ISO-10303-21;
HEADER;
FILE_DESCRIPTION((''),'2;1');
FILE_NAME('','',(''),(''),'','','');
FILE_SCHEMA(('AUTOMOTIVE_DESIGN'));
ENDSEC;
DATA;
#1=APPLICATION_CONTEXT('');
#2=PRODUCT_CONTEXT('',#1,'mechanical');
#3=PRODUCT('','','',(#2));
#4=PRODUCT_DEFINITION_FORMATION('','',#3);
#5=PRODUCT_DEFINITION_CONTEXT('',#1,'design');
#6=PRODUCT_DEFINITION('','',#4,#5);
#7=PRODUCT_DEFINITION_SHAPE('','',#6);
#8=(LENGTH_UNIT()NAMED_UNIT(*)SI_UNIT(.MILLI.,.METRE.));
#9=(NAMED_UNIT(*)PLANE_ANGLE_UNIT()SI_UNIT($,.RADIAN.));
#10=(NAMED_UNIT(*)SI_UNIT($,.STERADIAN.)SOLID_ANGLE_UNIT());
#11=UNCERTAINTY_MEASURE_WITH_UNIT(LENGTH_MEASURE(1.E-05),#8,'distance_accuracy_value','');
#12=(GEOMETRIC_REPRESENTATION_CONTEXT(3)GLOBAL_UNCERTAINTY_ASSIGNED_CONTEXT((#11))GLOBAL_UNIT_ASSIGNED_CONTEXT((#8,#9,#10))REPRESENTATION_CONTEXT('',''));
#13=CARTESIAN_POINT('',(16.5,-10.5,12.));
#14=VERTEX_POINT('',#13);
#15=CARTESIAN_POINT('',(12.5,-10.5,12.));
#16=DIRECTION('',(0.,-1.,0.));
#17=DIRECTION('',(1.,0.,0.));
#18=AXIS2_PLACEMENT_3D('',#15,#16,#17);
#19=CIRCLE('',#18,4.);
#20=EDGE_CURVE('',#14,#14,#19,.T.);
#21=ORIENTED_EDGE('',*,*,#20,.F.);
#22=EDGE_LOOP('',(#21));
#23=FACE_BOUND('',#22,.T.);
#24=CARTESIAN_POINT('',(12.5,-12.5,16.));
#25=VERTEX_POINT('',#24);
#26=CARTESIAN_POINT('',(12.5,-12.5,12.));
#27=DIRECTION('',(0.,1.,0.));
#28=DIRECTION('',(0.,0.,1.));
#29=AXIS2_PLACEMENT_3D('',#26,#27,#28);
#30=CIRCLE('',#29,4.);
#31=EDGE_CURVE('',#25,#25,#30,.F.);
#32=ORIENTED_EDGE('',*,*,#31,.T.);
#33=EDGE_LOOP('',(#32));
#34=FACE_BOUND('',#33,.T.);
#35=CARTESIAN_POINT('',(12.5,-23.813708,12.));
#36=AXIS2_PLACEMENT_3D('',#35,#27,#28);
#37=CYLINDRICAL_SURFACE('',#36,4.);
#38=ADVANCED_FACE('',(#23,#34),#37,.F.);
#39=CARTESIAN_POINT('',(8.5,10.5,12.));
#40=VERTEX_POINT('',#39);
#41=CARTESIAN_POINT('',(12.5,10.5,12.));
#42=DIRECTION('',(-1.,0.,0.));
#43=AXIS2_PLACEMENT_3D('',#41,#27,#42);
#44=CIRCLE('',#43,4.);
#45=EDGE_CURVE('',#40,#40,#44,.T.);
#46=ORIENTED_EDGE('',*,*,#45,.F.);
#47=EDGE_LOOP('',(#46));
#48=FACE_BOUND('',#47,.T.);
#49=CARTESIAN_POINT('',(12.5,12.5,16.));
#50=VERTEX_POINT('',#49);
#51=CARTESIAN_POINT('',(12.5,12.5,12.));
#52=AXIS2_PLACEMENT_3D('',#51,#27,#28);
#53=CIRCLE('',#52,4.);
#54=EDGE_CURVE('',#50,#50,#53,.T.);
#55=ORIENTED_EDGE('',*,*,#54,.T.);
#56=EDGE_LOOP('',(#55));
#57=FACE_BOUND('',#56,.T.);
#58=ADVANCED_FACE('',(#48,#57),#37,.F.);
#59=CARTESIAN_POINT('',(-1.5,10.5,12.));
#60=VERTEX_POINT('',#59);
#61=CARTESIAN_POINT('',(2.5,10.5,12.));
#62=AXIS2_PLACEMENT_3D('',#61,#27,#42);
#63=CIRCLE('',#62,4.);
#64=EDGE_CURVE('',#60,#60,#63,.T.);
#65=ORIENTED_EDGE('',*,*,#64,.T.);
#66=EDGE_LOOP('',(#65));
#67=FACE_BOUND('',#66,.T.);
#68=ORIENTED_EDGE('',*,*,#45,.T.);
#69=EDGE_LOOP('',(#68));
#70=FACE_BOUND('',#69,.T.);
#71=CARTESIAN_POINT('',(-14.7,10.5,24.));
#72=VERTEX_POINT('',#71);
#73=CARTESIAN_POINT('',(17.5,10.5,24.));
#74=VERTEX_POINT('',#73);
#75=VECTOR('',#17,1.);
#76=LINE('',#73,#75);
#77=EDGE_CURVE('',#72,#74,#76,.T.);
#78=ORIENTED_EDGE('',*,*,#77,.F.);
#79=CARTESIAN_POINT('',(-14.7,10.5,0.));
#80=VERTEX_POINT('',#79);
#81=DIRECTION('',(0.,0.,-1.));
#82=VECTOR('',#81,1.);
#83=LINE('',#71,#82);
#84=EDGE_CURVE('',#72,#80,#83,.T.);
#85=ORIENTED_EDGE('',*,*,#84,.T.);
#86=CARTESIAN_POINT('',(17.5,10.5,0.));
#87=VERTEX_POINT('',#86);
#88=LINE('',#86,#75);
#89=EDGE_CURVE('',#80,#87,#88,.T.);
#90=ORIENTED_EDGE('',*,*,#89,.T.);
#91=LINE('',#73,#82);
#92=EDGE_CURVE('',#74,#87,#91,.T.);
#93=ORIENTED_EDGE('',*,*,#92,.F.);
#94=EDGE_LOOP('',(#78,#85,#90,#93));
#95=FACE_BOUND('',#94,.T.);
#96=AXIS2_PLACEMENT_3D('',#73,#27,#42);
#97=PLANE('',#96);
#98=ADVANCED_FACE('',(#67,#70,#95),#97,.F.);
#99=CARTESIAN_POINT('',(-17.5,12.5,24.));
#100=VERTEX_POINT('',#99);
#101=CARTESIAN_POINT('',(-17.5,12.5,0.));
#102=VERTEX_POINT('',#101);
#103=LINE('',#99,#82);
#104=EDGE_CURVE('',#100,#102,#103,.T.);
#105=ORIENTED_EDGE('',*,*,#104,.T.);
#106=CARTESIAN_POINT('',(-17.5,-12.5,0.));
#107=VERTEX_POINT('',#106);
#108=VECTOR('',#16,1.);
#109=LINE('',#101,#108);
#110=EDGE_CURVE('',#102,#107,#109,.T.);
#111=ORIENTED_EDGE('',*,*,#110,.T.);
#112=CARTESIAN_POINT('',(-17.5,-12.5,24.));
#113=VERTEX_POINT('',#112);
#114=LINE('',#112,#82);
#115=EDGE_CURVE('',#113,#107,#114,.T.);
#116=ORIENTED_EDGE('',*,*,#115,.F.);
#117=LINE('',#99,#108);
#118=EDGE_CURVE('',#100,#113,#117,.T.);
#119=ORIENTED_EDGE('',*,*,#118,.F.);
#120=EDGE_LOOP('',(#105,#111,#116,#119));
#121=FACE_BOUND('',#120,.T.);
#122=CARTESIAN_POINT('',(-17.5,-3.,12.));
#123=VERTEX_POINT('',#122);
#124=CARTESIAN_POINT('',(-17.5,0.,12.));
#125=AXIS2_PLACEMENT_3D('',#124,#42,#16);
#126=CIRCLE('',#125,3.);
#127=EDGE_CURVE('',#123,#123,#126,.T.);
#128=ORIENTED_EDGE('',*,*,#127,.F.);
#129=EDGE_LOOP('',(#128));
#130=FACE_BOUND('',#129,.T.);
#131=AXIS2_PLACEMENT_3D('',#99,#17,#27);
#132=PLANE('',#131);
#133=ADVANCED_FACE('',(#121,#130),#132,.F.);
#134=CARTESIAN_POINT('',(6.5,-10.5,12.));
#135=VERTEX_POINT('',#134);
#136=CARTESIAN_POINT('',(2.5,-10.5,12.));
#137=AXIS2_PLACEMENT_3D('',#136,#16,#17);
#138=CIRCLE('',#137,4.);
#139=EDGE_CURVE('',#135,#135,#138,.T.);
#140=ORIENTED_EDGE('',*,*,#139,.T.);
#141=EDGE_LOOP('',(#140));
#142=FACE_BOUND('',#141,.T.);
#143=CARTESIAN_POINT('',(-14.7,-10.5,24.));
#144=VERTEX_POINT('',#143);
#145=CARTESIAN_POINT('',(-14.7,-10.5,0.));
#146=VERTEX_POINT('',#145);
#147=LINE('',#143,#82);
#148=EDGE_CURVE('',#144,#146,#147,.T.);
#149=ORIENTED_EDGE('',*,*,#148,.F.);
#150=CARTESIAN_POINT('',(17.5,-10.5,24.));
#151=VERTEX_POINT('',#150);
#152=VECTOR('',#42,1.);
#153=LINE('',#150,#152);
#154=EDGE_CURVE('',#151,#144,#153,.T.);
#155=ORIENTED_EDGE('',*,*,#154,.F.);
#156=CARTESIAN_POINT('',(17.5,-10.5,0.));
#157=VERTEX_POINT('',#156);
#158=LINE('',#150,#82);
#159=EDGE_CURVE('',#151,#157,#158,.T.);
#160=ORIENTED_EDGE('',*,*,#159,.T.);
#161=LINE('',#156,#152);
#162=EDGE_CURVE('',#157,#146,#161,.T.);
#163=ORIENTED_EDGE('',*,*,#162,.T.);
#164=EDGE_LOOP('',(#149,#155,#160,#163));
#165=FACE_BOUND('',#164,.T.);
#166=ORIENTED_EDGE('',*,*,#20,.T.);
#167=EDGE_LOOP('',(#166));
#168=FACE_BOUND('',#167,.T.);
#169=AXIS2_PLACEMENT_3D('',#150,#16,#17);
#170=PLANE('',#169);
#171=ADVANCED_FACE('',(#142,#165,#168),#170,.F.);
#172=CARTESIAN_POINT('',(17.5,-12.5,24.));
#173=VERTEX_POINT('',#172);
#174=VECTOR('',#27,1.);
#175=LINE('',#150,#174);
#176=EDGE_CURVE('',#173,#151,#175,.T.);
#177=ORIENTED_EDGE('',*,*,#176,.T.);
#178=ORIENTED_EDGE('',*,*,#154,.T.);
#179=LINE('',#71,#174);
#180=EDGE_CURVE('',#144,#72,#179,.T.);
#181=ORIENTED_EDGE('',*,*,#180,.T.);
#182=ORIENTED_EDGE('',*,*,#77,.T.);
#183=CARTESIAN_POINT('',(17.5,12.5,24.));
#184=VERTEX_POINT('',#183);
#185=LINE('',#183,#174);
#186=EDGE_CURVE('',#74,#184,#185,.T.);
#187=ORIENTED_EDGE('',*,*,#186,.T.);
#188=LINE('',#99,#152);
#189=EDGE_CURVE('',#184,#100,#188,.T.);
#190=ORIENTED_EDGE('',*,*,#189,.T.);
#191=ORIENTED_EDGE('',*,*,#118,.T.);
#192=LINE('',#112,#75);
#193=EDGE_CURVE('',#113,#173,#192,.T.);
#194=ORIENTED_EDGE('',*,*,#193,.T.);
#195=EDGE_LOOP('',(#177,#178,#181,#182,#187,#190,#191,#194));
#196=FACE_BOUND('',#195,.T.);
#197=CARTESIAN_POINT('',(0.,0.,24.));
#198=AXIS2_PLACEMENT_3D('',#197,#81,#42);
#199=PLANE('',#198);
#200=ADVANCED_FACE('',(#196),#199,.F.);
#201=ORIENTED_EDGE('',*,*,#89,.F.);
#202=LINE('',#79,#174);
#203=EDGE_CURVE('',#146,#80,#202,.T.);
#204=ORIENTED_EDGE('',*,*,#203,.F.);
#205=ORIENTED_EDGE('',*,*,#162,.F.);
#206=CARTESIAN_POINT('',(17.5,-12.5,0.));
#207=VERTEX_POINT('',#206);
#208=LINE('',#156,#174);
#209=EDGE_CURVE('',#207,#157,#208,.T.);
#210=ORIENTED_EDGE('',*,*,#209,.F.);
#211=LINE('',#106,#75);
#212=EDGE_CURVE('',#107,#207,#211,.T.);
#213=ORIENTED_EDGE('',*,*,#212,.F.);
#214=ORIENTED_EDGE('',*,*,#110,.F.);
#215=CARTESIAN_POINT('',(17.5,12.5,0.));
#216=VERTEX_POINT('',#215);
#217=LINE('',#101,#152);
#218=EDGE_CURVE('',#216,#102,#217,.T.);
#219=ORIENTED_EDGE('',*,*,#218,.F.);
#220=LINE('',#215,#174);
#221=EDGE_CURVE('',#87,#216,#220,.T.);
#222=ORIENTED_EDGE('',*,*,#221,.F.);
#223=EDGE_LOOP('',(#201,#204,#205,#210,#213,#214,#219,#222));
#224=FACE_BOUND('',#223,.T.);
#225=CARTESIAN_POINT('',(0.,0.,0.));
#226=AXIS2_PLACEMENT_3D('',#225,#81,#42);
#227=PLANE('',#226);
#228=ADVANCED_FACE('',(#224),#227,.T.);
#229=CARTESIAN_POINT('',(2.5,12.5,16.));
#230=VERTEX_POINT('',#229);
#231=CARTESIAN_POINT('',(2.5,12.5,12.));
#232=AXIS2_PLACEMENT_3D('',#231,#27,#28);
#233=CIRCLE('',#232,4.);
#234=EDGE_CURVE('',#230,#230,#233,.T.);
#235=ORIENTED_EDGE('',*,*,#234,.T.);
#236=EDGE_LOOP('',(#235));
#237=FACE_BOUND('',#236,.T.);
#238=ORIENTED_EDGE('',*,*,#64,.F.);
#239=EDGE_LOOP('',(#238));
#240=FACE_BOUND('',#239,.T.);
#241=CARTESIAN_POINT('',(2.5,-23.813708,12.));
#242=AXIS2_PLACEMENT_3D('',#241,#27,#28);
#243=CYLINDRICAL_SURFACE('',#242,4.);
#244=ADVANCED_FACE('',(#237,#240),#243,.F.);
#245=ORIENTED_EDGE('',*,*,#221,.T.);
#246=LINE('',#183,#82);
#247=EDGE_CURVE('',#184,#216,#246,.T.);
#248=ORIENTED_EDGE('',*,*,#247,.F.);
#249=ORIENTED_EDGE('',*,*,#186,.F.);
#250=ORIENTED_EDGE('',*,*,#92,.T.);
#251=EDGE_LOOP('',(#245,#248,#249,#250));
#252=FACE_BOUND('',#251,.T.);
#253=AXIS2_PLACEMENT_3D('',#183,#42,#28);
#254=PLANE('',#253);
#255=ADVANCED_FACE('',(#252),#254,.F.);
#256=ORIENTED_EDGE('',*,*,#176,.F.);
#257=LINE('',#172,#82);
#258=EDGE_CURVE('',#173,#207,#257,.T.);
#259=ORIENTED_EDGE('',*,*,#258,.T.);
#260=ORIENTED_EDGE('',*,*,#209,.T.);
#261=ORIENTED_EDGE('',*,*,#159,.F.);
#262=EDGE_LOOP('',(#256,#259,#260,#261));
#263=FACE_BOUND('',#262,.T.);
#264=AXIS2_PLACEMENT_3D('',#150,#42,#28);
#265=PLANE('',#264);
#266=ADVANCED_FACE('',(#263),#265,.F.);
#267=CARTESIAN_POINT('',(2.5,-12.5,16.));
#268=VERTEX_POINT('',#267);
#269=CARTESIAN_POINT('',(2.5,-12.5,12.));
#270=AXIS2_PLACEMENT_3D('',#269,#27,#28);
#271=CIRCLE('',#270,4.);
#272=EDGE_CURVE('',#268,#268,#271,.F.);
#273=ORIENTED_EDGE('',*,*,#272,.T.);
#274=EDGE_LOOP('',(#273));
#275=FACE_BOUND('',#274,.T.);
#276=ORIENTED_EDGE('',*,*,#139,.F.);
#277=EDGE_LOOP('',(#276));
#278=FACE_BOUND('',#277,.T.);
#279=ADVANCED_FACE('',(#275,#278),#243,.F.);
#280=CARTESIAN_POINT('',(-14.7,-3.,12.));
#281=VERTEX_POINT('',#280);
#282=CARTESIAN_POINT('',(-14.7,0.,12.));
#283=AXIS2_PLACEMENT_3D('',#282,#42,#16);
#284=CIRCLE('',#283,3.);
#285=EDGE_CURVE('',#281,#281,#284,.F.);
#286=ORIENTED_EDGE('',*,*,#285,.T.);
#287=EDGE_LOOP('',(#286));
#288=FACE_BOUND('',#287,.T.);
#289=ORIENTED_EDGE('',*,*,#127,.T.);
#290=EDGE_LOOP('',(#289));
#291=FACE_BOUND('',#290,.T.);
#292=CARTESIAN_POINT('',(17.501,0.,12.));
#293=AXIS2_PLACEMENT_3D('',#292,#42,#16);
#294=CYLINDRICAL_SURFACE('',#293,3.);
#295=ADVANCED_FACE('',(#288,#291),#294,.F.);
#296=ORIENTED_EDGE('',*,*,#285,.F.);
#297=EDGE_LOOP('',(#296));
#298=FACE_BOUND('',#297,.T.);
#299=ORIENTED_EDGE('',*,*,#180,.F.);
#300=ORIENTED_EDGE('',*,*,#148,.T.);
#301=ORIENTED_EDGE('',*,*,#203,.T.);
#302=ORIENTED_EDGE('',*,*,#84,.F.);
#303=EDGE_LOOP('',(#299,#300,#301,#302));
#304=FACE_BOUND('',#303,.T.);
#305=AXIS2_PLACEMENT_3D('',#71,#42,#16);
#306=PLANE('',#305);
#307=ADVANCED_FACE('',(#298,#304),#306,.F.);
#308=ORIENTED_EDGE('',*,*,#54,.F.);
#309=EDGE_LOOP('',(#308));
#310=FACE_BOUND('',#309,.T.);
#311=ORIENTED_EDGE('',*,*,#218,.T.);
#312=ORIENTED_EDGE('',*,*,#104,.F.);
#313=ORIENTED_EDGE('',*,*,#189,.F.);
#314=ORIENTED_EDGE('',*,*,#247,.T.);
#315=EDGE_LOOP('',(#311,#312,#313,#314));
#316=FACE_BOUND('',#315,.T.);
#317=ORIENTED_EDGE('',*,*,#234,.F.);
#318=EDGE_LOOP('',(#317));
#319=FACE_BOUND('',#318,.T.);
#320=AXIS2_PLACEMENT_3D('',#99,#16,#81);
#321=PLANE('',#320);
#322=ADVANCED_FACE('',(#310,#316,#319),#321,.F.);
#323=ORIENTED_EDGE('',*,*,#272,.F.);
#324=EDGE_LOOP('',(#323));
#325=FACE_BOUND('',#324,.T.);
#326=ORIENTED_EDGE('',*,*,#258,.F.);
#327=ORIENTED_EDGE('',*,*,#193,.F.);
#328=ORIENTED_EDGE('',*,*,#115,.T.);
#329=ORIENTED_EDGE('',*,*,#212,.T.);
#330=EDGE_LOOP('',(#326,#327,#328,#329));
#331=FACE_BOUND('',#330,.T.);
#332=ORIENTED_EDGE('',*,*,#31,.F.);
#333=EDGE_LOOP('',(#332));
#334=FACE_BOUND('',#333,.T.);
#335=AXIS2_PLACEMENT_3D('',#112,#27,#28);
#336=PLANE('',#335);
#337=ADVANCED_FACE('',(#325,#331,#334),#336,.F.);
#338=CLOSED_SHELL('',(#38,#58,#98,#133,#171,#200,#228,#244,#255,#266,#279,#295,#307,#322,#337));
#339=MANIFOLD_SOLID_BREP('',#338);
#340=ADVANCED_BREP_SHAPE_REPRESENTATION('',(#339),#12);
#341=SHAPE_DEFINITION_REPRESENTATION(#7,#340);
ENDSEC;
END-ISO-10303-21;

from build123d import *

# Parameters (mm, degrees)
BOSS_EXTRU_1_DEPTH      = 24
ENL_V_MAT_EXTRU_1_REACH = 40.823
ESQUISSE2_R             = 4
ENL_V_MAT_EXTRU_2_REACH = 46.241
ESQUISSE3_R             = 3


with BuildPart() as part:
    # Esquisse1 → Boss.-Extru.1 (new body)
    with BuildSketch(Plane.XY):
        Polygon((17.5, -10.5), (17.5, -12.5), (-17.5, -12.5), (-17.5, 12.5), (17.5, 12.5), (17.5, 10.5), (-14.7, 10.5), (-14.7, -10.5), align=None)
    extrude(amount=BOSS_EXTRU_1_DEPTH)

    # Enlèv. mat.-Extru.1: up to this face of the body (flat: up to its plane)
    enl_v_mat_extru_1_end = Plane(part.part.faces().sort_by_distance((0, -12.5, 12))[0])
    # Esquisse2 → Enlèv. mat.-Extru.1 (cut, up to the picked face)
    with BuildSketch(Plane(origin=(0, 12.5, 0), x_dir=(1, 0, 0), z_dir=(0, 1, 0)), mode=Mode.PRIVATE) as enl_v_mat_extru_1_sk1:
        with Locations(Location((12.5, -12, 0), (0, 0, 270))):
            Circle(ESQUISSE2_R)
    enl_v_mat_extru_1_tool1 = split(extrude(enl_v_mat_extru_1_sk1.sketch, amount=-ENL_V_MAT_EXTRU_1_REACH, mode=Mode.PRIVATE), bisect_by=enl_v_mat_extru_1_end, keep=Keep.BOTH, mode=Mode.PRIVATE)
    # Esquisse2 → Enlèv. mat.-Extru.1 (cut, up to the picked face)
    with BuildSketch(Plane(origin=(0, 12.5, 0), x_dir=(1, 0, 0), z_dir=(0, 1, 0)), mode=Mode.PRIVATE) as enl_v_mat_extru_1_sk2:
        with Locations(Location((2.5, -12, 0), (0, 0, 270))):
            Circle(ESQUISSE2_R)
    enl_v_mat_extru_1_tool2 = split(extrude(enl_v_mat_extru_1_sk2.sketch, amount=-ENL_V_MAT_EXTRU_1_REACH, mode=Mode.PRIVATE), bisect_by=enl_v_mat_extru_1_end, keep=Keep.BOTH, mode=Mode.PRIVATE)
    add(enl_v_mat_extru_1_tool1.solids().sort_by(Axis((12.5, 12.5, 12), (0, -1, 0)))[0], mode=Mode.SUBTRACT)
    add(enl_v_mat_extru_1_tool2.solids().sort_by(Axis((2.5, 12.5, 12), (0, -1, 0)))[0], mode=Mode.SUBTRACT)

    # Esquisse3 → Enlèv. mat.-Extru.2 (cut, up to next)
    with BuildSketch(Plane.ZY.offset(17.5), mode=Mode.PRIVATE) as enl_v_mat_extru_2_sk1:
        with Locations(Location((12, 0, 0), (0, 0, 270))):
            Circle(ESQUISSE3_R)
    enl_v_mat_extru_2_tool1 = extrude(enl_v_mat_extru_2_sk1.sketch, amount=-ENL_V_MAT_EXTRU_2_REACH, mode=Mode.PRIVATE) & part.part
    add(enl_v_mat_extru_2_tool1.solids().sort_by_distance((-17.5, 0, 12))[0], mode=Mode.SUBTRACT)


solid = part.part
